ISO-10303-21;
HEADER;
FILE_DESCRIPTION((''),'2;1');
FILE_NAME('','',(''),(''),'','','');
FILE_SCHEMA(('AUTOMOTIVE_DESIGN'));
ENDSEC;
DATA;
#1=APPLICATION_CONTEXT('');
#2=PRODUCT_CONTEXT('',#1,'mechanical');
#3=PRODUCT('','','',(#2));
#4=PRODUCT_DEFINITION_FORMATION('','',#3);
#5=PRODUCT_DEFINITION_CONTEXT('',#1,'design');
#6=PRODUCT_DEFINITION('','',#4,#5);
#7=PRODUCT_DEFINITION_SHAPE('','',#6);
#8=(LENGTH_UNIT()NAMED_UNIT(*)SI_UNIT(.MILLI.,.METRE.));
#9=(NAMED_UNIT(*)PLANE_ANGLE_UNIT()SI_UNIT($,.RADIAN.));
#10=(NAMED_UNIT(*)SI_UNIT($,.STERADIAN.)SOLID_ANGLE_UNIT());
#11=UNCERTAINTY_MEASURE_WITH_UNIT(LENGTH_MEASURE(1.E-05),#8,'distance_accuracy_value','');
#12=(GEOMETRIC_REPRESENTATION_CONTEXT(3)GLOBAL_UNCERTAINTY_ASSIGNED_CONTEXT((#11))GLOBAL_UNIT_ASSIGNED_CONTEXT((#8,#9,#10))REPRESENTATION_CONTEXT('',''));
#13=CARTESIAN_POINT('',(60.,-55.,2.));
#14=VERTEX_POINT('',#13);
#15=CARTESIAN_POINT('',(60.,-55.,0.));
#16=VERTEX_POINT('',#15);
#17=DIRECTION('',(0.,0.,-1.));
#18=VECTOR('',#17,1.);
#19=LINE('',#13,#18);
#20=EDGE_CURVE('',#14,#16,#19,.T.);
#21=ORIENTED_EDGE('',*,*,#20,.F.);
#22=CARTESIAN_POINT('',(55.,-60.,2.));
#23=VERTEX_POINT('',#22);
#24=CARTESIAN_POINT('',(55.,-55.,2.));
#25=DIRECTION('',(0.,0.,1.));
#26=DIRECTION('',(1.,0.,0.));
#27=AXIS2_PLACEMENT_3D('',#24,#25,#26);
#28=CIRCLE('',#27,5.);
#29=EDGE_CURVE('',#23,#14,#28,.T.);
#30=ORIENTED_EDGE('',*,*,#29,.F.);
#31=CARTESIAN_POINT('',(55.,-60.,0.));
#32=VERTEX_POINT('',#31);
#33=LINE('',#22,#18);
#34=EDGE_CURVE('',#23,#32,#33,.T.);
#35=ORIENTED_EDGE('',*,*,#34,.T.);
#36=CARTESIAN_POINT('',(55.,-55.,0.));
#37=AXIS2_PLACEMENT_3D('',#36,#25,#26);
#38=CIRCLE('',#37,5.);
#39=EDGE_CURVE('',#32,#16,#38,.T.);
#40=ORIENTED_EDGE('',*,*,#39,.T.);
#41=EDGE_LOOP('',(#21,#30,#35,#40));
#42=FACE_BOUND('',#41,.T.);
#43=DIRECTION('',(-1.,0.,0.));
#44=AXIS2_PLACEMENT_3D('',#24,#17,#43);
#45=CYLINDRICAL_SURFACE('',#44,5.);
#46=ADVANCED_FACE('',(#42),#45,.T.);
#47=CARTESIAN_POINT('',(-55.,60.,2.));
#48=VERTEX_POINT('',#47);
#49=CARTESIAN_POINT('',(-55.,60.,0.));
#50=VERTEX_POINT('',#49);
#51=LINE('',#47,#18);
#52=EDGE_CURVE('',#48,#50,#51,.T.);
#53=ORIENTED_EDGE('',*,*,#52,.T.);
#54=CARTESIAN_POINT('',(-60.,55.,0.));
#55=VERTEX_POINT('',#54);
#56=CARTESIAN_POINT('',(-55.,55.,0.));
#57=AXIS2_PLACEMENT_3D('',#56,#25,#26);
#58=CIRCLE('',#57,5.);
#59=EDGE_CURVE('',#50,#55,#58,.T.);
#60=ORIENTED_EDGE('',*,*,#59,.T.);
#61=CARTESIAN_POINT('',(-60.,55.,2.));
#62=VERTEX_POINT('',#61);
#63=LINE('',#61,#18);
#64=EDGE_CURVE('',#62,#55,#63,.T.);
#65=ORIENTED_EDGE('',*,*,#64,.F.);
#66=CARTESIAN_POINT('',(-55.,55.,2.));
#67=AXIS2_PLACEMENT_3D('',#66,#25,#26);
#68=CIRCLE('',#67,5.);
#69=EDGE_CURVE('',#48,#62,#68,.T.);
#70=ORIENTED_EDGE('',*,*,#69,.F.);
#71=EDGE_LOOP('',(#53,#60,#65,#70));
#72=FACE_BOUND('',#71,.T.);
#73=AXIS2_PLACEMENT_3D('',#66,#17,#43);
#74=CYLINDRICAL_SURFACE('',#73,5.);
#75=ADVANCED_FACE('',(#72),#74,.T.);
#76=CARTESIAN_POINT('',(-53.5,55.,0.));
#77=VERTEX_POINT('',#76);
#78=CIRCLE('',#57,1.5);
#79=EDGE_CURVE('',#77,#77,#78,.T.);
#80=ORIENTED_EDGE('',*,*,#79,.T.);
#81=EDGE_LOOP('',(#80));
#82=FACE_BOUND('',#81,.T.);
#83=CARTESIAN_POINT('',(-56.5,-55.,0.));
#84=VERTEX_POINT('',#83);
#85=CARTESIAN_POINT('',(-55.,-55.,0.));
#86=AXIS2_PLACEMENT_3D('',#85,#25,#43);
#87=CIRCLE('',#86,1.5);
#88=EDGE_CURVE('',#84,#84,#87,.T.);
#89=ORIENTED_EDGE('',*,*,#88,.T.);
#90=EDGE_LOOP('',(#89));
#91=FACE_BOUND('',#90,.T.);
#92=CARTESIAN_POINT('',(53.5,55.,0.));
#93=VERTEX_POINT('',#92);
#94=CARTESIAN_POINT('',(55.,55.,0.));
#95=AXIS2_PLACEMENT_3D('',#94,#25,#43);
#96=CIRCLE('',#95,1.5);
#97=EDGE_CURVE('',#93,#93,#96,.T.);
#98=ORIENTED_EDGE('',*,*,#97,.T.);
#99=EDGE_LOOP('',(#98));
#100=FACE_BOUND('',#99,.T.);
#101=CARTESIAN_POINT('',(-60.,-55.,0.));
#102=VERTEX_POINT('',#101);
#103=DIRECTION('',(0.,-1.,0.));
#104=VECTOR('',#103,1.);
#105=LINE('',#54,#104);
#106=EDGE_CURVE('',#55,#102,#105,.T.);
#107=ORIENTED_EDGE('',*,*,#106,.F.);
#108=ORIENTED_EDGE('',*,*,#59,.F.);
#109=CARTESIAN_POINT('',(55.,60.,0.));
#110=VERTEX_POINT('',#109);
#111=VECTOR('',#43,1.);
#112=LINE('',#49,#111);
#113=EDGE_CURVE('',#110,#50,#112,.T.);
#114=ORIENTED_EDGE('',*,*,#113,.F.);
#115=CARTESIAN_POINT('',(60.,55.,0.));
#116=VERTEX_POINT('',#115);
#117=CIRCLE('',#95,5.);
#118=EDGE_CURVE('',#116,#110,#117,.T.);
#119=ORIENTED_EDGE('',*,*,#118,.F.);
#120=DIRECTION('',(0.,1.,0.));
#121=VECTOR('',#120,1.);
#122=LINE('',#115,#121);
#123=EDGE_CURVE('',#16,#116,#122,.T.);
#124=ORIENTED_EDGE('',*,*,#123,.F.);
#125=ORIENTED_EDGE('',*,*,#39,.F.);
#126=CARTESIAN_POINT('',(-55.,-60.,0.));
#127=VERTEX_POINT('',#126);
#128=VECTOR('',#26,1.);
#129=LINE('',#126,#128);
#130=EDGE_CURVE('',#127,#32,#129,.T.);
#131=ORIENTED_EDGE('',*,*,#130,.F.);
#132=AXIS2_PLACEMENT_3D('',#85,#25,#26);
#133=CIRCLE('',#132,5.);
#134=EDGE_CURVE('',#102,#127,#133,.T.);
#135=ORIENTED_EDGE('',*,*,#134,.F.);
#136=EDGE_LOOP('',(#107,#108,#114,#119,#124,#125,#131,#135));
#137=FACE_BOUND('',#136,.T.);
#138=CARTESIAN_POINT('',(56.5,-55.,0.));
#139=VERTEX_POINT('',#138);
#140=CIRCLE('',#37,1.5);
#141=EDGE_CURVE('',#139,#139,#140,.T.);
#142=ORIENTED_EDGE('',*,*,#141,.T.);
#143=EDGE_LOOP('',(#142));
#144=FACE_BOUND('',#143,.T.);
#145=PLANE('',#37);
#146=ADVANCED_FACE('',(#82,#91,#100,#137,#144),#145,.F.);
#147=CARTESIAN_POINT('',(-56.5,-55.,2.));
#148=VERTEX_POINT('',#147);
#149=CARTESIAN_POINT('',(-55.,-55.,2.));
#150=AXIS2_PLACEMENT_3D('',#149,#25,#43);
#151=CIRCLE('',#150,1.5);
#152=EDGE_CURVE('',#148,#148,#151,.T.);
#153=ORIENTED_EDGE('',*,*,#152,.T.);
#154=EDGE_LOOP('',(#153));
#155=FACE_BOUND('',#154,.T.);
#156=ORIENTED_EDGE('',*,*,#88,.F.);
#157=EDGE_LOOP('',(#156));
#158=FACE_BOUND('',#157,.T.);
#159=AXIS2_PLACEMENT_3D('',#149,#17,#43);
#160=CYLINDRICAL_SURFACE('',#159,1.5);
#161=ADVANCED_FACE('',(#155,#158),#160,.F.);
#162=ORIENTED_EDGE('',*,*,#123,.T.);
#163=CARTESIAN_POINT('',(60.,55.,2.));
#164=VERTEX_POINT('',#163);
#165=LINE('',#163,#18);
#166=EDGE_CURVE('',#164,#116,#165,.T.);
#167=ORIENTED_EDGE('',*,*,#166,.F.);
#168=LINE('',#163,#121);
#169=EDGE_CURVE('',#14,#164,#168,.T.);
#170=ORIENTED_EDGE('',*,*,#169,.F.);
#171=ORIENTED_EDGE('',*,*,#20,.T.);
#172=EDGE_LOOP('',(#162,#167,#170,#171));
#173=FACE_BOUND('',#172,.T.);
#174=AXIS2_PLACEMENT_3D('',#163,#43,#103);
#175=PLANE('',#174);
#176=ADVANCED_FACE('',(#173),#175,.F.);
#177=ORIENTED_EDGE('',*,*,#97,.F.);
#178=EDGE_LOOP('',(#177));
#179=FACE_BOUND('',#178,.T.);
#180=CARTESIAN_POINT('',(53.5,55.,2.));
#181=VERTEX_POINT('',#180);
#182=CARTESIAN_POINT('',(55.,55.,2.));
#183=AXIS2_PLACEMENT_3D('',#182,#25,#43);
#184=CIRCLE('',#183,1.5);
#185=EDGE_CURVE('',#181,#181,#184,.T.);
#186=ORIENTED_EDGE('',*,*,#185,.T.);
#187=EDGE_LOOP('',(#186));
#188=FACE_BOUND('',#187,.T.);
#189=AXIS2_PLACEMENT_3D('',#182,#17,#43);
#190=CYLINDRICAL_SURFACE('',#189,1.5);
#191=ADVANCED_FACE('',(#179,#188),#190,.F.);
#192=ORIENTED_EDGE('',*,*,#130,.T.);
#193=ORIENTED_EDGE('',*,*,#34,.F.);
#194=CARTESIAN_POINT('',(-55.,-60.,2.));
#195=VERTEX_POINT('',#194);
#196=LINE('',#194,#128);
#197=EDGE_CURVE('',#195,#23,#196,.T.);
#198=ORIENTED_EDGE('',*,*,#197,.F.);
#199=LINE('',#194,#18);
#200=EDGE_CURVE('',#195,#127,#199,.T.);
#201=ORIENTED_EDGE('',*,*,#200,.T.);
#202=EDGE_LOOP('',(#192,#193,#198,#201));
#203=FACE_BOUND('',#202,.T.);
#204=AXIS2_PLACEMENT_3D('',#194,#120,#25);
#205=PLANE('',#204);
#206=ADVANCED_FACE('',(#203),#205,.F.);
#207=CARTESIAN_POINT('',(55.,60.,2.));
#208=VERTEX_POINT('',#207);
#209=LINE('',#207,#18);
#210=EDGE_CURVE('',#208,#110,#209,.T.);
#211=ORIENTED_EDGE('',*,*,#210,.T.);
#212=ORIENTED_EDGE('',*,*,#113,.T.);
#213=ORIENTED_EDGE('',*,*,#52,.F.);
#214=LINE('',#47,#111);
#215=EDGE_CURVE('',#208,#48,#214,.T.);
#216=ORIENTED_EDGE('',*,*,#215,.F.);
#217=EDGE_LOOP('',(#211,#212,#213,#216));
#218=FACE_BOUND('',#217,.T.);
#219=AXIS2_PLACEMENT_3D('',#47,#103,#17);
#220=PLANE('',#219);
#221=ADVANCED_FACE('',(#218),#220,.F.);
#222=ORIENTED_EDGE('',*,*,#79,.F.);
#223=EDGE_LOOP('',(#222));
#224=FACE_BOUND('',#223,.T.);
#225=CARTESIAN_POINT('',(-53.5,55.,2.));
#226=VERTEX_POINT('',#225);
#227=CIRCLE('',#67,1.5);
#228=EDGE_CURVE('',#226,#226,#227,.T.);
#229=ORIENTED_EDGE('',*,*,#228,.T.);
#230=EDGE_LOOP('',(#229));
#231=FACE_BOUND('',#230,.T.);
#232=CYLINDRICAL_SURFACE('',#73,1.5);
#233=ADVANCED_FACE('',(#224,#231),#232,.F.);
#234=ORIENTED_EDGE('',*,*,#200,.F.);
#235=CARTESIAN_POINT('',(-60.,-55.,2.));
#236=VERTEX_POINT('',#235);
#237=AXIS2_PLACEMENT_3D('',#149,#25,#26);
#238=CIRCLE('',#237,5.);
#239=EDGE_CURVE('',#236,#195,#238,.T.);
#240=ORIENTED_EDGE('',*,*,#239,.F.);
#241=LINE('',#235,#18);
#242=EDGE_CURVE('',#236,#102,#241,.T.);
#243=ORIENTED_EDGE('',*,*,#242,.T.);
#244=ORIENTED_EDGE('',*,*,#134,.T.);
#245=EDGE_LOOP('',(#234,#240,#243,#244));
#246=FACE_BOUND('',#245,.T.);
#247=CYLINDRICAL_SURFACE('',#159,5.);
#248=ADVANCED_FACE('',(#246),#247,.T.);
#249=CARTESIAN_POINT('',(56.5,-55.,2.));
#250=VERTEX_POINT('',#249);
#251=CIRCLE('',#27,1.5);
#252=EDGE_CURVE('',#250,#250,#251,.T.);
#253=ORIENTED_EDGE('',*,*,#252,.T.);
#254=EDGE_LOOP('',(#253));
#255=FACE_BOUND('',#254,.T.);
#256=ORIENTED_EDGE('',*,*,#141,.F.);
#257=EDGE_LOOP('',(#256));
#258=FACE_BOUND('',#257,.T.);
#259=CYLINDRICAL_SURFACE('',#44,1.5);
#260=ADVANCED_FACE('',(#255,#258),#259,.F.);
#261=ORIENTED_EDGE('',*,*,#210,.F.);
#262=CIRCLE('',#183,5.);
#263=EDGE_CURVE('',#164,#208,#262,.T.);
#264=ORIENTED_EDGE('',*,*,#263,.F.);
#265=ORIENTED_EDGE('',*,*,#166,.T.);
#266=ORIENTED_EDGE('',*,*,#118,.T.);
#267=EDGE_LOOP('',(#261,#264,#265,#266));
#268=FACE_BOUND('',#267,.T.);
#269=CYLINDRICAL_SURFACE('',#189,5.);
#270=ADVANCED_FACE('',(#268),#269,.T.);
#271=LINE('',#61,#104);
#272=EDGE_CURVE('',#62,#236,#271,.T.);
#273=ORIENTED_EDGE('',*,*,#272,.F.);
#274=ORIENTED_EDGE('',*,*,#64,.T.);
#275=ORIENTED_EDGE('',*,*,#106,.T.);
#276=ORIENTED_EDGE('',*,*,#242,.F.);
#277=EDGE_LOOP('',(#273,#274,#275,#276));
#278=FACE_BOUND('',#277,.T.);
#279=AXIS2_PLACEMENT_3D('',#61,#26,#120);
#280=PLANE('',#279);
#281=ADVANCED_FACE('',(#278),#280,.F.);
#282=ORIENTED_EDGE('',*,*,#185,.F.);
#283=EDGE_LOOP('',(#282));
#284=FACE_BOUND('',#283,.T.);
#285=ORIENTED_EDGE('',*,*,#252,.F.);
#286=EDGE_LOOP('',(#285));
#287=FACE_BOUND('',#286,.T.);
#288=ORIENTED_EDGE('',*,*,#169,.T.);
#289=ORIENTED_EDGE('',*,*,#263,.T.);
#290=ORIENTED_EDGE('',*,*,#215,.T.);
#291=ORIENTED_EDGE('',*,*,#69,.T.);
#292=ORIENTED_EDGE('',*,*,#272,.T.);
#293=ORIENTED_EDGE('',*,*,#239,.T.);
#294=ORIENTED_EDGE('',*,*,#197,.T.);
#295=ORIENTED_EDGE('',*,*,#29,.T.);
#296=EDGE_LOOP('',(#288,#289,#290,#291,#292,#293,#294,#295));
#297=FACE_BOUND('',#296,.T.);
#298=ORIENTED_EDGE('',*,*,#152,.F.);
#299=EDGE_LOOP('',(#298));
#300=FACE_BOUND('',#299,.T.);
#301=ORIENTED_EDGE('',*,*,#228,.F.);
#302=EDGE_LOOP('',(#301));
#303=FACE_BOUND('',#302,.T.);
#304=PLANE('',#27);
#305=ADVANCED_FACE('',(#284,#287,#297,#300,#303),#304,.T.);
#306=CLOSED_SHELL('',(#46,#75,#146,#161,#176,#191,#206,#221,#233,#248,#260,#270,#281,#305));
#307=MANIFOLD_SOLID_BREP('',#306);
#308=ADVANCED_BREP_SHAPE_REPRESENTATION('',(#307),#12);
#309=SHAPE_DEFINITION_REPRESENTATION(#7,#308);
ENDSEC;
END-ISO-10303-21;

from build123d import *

# Parameters (mm, degrees)
ESBO_O1_R                = 1.5
RESSALTO_EXTRUS_O1_DEPTH = 2


with BuildPart() as part:
    # Esboço1 → Ressalto-extrusão1 (new body)
    with BuildSketch(Plane.XY):
        with BuildLine():
            Line((-55, 60), (55, 60))
            ThreePointArc((55, 60), (58.535533906, 58.535533906), (60, 55))
            Line((60, 55), (60, -55))
            ThreePointArc((60, -55), (58.535533906, -58.535533906), (55, -60))
            Line((55, -60), (-55, -60))
            ThreePointArc((-55, -60), (-58.535533906, -58.535533906), (-60, -55))
            Line((-60, -55), (-60, 55))
            ThreePointArc((-60, 55), (-58.535533906, 58.535533906), (-55, 60))
        make_face()
        with Locations((-55, 55)):
            Circle(ESBO_O1_R, mode=Mode.SUBTRACT)
        with Locations((55, 55)):
            Circle(ESBO_O1_R, mode=Mode.SUBTRACT)
        with Locations((-55, -55)):
            Circle(ESBO_O1_R, mode=Mode.SUBTRACT)
        with Locations((55, -55)):
            Circle(ESBO_O1_R, mode=Mode.SUBTRACT)
    extrude(amount=RESSALTO_EXTRUS_O1_DEPTH)


solid = part.part
